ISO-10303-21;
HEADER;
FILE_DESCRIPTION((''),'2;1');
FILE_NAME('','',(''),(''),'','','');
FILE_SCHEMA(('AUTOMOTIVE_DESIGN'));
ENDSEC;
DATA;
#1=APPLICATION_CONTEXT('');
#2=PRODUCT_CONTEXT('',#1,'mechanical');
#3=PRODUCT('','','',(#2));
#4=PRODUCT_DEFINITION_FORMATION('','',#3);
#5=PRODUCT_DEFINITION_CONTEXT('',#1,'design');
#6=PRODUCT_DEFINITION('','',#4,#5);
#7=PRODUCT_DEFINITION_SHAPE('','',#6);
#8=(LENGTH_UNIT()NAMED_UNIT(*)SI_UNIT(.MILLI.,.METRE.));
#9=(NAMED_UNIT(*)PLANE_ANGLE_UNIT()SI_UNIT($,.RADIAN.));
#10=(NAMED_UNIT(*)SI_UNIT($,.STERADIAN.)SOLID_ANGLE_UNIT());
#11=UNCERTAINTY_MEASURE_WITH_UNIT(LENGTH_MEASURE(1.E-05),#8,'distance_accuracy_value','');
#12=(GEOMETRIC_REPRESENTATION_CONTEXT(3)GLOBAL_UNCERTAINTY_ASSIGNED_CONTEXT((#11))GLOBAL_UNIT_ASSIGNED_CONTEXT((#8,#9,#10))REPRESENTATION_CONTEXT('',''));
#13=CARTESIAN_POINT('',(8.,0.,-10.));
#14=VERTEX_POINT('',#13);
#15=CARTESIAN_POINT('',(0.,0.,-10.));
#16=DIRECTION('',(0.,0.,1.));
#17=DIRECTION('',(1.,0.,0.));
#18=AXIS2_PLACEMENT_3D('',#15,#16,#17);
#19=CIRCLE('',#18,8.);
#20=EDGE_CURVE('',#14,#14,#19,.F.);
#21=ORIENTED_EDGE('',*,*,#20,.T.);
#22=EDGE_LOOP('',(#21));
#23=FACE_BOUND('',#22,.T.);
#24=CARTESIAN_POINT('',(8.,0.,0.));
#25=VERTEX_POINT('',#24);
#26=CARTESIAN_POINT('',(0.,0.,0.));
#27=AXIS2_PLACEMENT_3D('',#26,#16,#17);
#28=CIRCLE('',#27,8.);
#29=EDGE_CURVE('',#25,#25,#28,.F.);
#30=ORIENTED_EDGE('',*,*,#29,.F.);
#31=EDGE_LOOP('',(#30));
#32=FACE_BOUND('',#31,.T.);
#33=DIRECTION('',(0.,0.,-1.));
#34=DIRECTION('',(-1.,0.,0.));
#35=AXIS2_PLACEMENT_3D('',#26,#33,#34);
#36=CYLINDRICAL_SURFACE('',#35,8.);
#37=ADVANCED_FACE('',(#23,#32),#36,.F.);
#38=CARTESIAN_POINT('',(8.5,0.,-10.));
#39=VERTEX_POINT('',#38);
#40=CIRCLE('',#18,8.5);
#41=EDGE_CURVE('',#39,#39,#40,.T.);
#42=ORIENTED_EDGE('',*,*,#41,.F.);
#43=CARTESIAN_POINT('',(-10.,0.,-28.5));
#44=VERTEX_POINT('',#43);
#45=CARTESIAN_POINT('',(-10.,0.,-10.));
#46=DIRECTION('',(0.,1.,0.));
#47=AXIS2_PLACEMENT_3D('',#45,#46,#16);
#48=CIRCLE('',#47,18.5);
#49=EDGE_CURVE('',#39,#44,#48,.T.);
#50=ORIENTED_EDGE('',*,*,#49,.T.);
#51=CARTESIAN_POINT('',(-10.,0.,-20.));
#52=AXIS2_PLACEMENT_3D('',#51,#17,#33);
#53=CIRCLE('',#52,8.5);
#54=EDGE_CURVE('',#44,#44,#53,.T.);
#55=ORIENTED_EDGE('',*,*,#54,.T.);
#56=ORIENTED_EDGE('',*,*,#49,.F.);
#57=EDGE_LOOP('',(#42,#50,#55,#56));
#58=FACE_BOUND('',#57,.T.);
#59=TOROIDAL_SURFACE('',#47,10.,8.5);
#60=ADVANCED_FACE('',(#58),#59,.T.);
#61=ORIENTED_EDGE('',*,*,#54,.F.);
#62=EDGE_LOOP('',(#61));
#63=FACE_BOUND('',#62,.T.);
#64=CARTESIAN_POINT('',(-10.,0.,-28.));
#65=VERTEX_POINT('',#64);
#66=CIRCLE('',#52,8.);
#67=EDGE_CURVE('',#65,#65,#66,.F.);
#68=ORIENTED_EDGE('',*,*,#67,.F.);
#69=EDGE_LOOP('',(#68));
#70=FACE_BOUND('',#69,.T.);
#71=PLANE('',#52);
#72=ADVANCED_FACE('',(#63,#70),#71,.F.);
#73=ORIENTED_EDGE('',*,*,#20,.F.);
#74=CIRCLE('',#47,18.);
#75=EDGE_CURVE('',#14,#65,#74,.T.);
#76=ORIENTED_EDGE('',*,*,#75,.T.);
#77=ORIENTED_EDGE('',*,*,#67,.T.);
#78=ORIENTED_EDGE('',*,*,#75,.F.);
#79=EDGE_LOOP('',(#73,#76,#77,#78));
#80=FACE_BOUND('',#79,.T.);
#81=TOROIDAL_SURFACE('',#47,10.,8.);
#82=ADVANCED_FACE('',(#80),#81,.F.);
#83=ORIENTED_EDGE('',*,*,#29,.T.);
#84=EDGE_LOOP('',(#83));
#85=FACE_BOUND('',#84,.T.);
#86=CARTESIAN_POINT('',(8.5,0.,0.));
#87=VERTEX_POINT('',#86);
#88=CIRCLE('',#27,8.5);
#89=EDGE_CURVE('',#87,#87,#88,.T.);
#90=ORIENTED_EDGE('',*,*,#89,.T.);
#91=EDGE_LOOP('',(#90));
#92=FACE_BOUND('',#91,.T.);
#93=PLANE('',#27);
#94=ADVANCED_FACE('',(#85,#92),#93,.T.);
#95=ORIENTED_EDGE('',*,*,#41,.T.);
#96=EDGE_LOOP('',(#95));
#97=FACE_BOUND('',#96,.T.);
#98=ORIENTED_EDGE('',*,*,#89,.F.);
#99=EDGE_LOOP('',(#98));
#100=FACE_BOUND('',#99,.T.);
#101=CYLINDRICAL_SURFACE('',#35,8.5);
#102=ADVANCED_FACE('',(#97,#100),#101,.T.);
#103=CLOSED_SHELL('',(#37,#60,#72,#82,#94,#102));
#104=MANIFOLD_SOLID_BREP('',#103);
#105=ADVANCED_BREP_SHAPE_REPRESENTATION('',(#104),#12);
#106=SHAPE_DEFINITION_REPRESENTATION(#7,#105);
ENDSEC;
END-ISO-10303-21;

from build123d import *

# Parameters (mm, degrees)
SKETCH_2_R   = 8.5
SKETCH_2_R_2 = 8


with BuildPart() as part:
    # 扫描5: sweep along a path in 草图3
    with BuildLine(Plane(origin=(0, 0, 0), x_dir=(1, 0, 0), z_dir=(0, 1, 0))) as sweep_5_path:
        Line((0, 0), (0, 10))
        ThreePointArc((0, 10), (-2.928932188, 17.071067812), (-10, 20))
    # 草图2 → 扫描5 (sweep)
    with BuildSketch(Plane.XY):
        Circle(SKETCH_2_R)
        Circle(SKETCH_2_R_2, mode=Mode.SUBTRACT)
    sweep(path=sweep_5_path.line)


solid = part.part
